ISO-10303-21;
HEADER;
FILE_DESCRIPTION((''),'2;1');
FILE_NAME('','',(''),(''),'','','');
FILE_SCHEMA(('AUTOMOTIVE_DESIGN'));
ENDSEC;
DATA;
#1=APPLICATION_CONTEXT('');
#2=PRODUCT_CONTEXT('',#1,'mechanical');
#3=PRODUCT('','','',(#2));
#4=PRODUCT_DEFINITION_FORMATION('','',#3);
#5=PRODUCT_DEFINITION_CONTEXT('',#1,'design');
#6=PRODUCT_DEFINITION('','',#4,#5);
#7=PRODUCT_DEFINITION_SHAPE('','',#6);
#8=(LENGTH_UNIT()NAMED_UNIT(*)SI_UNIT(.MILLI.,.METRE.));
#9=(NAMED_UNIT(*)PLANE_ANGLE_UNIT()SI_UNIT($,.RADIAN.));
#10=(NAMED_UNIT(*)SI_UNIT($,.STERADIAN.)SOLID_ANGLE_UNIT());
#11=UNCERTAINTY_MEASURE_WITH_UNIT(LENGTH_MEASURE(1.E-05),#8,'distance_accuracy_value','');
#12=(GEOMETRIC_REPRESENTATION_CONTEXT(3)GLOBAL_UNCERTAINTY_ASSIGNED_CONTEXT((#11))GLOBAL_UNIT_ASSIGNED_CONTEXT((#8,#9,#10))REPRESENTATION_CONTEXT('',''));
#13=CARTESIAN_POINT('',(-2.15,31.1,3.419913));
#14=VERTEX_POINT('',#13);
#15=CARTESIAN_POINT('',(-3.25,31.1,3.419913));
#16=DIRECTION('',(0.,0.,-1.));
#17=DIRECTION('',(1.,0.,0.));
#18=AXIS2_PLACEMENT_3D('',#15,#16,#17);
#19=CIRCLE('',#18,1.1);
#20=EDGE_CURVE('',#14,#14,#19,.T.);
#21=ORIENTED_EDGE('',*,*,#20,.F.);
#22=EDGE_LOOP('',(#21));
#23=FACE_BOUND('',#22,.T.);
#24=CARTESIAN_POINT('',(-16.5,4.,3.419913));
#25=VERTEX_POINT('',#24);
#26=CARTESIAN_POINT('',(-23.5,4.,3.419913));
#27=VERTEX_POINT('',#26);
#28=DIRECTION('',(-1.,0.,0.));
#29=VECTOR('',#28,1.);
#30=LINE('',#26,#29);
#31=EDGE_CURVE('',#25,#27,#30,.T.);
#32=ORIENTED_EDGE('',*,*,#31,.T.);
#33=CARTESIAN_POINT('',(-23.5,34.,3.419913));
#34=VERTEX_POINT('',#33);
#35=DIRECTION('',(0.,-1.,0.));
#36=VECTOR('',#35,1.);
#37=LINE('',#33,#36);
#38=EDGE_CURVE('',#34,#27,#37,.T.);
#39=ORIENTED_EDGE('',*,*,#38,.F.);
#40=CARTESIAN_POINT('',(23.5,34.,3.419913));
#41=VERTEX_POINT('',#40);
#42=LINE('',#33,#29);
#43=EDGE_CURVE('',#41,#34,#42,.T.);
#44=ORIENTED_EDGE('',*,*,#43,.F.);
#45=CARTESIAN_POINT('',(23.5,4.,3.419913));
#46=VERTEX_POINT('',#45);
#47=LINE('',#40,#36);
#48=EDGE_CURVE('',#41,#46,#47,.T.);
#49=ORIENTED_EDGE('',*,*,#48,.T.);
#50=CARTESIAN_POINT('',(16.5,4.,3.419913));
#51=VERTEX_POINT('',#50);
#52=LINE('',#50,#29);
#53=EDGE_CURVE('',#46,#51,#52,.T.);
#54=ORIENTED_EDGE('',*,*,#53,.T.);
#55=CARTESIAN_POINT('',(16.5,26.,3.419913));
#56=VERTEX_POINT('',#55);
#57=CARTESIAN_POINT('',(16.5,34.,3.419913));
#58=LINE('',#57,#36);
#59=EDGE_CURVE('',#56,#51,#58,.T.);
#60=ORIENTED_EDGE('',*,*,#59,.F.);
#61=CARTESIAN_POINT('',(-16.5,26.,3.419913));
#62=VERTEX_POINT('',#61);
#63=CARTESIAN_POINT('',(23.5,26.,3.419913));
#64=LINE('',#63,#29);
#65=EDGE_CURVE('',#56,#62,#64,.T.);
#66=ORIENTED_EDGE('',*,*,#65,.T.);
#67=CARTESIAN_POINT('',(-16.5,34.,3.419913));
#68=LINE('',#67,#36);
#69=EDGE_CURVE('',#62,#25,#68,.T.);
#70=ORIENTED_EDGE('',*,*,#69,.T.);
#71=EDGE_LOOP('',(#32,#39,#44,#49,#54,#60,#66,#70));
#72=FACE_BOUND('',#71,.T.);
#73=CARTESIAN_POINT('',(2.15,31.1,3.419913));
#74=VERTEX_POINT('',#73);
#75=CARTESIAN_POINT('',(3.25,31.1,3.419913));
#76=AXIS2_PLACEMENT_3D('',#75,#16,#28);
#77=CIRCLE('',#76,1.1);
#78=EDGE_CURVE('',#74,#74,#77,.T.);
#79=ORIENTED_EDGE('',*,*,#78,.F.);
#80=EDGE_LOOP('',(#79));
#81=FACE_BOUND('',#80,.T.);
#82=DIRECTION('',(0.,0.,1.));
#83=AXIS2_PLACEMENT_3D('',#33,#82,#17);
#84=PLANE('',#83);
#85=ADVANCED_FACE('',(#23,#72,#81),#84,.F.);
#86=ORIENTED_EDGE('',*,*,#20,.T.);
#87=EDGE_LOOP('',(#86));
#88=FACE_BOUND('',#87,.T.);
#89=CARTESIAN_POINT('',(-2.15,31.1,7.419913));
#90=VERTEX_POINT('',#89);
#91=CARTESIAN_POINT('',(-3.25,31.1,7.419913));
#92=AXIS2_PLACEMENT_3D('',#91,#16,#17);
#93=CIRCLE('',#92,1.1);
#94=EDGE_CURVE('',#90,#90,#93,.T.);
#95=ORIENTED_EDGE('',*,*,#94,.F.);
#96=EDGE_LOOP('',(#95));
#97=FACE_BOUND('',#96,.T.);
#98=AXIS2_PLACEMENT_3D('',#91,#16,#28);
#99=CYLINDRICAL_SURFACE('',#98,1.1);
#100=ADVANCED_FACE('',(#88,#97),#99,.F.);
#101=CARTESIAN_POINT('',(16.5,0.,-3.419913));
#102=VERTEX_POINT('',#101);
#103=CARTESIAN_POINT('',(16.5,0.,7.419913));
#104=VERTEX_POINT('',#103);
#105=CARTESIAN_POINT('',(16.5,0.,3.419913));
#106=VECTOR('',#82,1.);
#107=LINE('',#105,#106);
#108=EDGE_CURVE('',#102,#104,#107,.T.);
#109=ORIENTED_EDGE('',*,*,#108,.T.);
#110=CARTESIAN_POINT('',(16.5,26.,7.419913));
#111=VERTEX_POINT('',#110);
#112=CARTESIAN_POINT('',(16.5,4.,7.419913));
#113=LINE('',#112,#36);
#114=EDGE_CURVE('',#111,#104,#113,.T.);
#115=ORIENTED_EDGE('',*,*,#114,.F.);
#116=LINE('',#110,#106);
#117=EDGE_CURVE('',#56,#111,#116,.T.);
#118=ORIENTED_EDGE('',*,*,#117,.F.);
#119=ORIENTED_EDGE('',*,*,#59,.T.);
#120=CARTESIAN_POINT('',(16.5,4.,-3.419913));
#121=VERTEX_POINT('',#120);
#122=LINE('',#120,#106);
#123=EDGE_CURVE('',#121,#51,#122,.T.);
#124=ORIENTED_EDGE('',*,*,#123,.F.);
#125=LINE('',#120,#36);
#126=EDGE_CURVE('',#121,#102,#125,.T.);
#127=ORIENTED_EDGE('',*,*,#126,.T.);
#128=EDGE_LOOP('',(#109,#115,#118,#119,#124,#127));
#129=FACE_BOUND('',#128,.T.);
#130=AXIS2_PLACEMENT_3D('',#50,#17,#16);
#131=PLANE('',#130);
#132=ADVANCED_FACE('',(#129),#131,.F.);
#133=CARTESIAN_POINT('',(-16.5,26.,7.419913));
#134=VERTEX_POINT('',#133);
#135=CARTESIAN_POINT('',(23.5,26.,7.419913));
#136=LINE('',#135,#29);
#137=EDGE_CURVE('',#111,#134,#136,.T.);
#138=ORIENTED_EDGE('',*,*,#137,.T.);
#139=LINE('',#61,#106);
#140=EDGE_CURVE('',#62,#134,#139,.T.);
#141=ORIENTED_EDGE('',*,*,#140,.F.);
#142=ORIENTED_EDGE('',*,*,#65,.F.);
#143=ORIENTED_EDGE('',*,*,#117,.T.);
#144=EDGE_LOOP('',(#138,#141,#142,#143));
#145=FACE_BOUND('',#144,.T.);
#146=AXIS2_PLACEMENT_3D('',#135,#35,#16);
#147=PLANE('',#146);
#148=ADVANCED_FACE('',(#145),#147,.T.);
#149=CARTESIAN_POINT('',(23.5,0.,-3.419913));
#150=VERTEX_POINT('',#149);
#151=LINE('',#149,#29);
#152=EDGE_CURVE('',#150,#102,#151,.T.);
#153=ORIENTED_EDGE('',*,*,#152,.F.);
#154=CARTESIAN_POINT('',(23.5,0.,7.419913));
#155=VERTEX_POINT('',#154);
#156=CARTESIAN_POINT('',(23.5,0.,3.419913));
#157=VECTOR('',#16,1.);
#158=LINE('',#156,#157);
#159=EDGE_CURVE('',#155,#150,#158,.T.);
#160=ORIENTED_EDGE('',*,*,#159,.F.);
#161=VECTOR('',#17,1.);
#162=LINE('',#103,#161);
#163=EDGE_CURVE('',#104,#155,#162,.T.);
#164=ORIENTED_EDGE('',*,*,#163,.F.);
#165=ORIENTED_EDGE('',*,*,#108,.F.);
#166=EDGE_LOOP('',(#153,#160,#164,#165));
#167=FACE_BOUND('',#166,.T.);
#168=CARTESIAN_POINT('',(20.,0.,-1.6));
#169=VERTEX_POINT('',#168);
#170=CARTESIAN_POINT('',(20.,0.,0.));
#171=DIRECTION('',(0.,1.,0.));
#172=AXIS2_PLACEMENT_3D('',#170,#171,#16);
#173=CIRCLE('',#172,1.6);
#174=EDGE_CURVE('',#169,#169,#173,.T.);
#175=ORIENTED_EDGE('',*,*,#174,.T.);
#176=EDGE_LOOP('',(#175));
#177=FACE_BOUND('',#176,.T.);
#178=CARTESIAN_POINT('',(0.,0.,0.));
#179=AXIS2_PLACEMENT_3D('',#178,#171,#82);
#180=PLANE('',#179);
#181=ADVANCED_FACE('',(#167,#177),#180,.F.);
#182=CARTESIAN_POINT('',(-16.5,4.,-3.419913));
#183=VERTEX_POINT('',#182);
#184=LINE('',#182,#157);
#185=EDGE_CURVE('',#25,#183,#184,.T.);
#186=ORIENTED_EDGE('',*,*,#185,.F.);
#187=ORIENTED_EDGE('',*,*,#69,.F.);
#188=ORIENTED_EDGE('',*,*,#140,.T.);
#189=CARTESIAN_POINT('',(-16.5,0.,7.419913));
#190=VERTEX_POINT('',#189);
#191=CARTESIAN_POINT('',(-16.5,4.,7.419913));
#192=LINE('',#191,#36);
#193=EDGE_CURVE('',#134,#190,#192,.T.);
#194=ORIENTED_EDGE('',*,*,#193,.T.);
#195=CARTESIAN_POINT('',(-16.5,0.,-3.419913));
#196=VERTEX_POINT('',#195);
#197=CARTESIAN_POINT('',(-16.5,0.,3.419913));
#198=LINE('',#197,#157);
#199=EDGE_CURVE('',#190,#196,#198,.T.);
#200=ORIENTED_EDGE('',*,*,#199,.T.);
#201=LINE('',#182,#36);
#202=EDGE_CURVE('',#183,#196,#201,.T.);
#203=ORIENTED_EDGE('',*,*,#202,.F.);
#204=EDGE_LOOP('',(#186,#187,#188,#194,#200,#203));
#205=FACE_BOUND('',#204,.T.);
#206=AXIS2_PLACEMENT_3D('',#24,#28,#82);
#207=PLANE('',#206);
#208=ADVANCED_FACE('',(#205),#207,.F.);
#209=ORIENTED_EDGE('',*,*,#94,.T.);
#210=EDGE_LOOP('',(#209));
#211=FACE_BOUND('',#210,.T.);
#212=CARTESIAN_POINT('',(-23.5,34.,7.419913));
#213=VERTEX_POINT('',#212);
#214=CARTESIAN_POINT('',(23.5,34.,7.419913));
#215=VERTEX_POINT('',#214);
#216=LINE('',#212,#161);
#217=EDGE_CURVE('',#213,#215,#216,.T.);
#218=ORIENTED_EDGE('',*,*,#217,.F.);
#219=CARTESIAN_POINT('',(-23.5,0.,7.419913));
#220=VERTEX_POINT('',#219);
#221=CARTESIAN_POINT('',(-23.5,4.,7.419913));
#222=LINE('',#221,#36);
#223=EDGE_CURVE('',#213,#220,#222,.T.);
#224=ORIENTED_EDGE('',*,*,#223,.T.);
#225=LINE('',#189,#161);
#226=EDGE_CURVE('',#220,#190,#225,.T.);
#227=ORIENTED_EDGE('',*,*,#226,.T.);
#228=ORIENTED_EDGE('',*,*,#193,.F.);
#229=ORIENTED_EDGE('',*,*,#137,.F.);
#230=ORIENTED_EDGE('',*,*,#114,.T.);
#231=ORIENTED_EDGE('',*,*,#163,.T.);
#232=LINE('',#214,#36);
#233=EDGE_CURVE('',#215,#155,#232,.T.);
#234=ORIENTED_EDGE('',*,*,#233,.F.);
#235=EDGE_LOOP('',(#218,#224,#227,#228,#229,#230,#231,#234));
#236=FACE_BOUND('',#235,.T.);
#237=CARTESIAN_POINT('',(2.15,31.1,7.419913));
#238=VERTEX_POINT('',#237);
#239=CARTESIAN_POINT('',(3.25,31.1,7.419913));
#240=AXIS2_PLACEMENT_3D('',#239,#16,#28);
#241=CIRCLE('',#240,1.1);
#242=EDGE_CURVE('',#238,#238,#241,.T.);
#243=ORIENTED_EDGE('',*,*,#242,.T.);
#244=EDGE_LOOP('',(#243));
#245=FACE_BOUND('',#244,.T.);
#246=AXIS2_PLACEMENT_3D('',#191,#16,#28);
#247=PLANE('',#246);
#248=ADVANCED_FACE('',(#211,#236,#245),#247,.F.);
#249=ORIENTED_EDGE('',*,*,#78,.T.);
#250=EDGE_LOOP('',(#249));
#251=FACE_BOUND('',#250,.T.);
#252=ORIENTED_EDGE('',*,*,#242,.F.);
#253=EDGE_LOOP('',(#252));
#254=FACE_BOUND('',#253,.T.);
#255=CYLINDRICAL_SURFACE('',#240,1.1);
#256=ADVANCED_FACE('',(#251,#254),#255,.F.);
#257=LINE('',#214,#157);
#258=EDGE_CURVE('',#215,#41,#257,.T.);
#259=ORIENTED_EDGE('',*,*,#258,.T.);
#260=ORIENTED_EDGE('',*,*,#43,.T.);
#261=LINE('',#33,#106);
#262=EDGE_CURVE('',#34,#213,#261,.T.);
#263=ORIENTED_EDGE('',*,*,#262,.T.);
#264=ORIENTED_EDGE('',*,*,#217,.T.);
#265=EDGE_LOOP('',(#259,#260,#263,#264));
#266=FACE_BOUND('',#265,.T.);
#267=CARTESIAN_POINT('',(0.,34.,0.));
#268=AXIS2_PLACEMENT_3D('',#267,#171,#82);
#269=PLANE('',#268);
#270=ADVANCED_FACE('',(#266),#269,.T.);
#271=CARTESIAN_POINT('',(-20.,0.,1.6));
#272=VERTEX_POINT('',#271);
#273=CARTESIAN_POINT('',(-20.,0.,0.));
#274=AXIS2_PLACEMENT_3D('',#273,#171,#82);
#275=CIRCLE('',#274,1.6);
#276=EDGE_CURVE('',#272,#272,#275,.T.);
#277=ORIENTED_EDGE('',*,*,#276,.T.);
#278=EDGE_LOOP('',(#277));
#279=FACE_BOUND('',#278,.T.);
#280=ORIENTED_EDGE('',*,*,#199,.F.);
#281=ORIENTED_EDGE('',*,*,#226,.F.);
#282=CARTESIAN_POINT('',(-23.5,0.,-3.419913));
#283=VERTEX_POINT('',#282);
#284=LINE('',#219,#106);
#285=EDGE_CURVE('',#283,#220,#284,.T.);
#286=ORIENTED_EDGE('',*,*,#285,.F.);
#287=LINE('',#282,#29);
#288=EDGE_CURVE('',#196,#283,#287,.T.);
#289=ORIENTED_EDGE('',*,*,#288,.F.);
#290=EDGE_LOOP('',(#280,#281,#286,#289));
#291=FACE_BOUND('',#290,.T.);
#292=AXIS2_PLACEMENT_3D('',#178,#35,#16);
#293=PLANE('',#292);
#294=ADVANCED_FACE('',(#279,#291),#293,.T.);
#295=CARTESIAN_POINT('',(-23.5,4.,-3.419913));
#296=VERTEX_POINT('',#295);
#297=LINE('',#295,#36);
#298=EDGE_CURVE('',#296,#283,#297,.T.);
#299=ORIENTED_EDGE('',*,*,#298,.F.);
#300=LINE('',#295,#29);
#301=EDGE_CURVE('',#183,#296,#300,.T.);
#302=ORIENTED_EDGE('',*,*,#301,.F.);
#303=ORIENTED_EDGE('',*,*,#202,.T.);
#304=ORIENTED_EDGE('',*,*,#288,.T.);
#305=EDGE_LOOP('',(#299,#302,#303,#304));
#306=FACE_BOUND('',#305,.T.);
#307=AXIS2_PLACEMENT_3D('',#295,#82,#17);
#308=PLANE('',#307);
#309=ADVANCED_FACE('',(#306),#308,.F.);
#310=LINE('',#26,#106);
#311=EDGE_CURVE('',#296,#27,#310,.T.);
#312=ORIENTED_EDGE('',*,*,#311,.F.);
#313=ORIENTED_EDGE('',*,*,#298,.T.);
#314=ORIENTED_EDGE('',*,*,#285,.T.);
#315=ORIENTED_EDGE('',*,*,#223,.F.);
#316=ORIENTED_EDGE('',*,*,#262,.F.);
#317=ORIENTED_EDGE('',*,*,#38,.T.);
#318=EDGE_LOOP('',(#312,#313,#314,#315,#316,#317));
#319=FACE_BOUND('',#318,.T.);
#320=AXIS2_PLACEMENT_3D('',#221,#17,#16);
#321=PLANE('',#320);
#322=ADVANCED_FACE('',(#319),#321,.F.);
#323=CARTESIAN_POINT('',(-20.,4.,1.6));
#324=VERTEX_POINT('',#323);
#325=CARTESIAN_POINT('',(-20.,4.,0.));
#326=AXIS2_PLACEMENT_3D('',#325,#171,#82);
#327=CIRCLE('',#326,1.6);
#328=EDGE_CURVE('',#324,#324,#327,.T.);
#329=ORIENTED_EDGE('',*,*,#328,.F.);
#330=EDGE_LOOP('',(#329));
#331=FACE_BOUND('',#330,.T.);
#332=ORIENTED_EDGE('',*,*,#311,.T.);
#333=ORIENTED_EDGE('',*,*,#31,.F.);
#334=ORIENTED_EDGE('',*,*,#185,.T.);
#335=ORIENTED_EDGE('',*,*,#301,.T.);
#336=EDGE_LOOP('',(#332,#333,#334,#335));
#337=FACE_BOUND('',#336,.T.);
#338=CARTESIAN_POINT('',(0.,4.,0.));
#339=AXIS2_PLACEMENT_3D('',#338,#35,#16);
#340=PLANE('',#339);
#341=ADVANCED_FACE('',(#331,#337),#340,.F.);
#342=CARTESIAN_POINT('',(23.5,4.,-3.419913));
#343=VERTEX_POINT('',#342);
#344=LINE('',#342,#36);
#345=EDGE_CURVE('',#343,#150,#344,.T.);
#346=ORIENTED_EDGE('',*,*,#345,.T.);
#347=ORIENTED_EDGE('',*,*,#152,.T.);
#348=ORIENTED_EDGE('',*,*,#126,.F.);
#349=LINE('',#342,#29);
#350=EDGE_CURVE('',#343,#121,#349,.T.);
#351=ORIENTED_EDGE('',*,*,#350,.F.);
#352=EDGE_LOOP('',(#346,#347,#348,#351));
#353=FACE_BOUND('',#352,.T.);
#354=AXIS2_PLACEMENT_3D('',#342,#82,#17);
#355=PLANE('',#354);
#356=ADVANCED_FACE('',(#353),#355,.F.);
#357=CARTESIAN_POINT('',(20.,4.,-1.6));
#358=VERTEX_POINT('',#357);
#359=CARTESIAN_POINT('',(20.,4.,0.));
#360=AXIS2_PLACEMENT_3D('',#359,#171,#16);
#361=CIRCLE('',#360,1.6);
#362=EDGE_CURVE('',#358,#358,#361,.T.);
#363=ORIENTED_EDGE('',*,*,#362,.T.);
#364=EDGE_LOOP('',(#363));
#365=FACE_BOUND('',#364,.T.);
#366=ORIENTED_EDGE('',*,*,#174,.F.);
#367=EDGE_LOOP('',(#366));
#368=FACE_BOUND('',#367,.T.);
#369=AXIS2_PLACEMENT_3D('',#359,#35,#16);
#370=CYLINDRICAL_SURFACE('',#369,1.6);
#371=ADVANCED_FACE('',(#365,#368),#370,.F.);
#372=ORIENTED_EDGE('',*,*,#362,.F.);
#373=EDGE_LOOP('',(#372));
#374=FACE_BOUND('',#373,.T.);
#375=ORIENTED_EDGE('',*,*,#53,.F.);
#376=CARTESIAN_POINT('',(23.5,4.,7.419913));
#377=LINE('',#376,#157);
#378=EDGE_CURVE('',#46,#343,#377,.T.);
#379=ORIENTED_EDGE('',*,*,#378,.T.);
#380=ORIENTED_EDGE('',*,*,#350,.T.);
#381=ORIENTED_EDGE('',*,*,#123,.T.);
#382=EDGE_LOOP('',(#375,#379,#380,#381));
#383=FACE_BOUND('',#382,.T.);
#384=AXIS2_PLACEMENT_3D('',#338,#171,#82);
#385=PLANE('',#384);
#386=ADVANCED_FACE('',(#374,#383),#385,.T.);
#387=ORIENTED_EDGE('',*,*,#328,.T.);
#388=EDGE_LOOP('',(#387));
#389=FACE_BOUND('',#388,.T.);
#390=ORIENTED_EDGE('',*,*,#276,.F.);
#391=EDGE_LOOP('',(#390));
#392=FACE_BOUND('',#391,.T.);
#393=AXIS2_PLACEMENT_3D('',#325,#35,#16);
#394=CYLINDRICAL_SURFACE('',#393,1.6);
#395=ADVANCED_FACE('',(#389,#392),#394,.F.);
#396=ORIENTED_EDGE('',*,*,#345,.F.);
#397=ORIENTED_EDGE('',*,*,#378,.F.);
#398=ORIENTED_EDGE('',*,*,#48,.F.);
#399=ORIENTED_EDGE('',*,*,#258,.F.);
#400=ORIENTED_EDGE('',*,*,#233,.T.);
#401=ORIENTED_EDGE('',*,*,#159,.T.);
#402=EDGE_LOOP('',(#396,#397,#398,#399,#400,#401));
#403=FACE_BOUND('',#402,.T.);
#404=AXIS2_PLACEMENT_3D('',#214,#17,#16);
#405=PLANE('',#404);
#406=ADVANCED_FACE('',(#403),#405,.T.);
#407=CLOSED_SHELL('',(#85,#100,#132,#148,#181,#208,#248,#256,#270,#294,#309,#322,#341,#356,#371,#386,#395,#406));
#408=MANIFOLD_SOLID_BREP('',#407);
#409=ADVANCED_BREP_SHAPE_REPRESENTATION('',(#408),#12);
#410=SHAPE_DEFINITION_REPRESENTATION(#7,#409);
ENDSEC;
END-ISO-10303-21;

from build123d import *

# Parameters (mm, degrees)
SKETCH_2_R          = 1.6
EXTRUDE_1_DEPTH     = 4
EXTRUDE_1_2_DEPTH   = 4
SKETCH_3_W          = 7
SKETCH_3_H          = 4
EXTRUDE_2_DEPTH     = 30
SKETCH_4_W          = 47
SKETCH_4_H          = 8
EXTRUDE_3_DEPTH     = 4
SKETCH_5_R          = 1.1
CUT_EXTRUDE_1_DEPTH = 42.893116752


with BuildPart() as part:
    # 草图2 → 凸台-拉伸1 (new body)
    with BuildSketch(Plane(origin=(0, 0, 0), x_dir=(1, 0, 0), z_dir=(0, 1, 0))):
        Polygon((-23.5, 3.41991342), (-16.5, 3.41991342), (-16.5, -3.41991342), (-16.5, -7.41991342), (-23.5, -7.41991342), (-23.5, -3.41991342), align=None)
        with Locations(Location((-20, 0, 0), (0, 0, 270))):
            Circle(SKETCH_2_R, mode=Mode.SUBTRACT)
    extrude(amount=EXTRUDE_1_DEPTH)



with BuildPart() as body_2:
    # 草图2 → Extrude 1 2 (new body)
    with BuildSketch(Plane(origin=(0, 0, 0), x_dir=(1, 0, 0), z_dir=(0, 1, 0))):
        Polygon((23.5, -7.41991342), (23.5, -3.41991342), (23.5, 3.41991342), (16.5, 3.41991342), (16.5, -3.41991342), (16.5, -7.41991342), align=None)
        with Locations(Location((20, 0, 0), (0, 0, 90))):
            Circle(SKETCH_2_R, mode=Mode.SUBTRACT)
    extrude(amount=EXTRUDE_1_2_DEPTH)


with BuildPart() as part_1:
    add(part.part)

    add(body_2.part)  # 凸台-拉伸2 merges body 2
    # 草图3 → 凸台-拉伸2 (add)
    with BuildSketch(Plane(origin=(0, 4, 0), x_dir=(1, 0, 0), z_dir=(0, 1, 0))):
        with Locations((-20, -5.41991342)):
            Rectangle(SKETCH_3_W, SKETCH_3_H)
        with Locations((20, -5.41991342)):
            Rectangle(SKETCH_3_W, SKETCH_3_H)
    extrude(amount=EXTRUDE_2_DEPTH)

    # 草图4 → 凸台-拉伸3 (add)
    with BuildSketch(Plane(origin=(0, 0, 3.41991342), x_dir=(-1, 0, 0), z_dir=(0, 0, -1))):
        with Locations((0, 30)):
            Rectangle(SKETCH_4_W, SKETCH_4_H)
    extrude(amount=-EXTRUDE_3_DEPTH)

    # 草图5 → 切除-拉伸1 (cut, through all)
    with BuildSketch(Plane(origin=(0, 0, 3.41991342), x_dir=(-1, 0, 0), z_dir=(0, 0, -1))):
        with Locations((-3.25, 31.1)):
            Circle(SKETCH_5_R)
        with Locations(Location((3.25, 31.1, 0), (0, 0, 180))):
            Circle(SKETCH_5_R)
    extrude(amount=-CUT_EXTRUDE_1_DEPTH, mode=Mode.SUBTRACT)


solid = part_1.part
